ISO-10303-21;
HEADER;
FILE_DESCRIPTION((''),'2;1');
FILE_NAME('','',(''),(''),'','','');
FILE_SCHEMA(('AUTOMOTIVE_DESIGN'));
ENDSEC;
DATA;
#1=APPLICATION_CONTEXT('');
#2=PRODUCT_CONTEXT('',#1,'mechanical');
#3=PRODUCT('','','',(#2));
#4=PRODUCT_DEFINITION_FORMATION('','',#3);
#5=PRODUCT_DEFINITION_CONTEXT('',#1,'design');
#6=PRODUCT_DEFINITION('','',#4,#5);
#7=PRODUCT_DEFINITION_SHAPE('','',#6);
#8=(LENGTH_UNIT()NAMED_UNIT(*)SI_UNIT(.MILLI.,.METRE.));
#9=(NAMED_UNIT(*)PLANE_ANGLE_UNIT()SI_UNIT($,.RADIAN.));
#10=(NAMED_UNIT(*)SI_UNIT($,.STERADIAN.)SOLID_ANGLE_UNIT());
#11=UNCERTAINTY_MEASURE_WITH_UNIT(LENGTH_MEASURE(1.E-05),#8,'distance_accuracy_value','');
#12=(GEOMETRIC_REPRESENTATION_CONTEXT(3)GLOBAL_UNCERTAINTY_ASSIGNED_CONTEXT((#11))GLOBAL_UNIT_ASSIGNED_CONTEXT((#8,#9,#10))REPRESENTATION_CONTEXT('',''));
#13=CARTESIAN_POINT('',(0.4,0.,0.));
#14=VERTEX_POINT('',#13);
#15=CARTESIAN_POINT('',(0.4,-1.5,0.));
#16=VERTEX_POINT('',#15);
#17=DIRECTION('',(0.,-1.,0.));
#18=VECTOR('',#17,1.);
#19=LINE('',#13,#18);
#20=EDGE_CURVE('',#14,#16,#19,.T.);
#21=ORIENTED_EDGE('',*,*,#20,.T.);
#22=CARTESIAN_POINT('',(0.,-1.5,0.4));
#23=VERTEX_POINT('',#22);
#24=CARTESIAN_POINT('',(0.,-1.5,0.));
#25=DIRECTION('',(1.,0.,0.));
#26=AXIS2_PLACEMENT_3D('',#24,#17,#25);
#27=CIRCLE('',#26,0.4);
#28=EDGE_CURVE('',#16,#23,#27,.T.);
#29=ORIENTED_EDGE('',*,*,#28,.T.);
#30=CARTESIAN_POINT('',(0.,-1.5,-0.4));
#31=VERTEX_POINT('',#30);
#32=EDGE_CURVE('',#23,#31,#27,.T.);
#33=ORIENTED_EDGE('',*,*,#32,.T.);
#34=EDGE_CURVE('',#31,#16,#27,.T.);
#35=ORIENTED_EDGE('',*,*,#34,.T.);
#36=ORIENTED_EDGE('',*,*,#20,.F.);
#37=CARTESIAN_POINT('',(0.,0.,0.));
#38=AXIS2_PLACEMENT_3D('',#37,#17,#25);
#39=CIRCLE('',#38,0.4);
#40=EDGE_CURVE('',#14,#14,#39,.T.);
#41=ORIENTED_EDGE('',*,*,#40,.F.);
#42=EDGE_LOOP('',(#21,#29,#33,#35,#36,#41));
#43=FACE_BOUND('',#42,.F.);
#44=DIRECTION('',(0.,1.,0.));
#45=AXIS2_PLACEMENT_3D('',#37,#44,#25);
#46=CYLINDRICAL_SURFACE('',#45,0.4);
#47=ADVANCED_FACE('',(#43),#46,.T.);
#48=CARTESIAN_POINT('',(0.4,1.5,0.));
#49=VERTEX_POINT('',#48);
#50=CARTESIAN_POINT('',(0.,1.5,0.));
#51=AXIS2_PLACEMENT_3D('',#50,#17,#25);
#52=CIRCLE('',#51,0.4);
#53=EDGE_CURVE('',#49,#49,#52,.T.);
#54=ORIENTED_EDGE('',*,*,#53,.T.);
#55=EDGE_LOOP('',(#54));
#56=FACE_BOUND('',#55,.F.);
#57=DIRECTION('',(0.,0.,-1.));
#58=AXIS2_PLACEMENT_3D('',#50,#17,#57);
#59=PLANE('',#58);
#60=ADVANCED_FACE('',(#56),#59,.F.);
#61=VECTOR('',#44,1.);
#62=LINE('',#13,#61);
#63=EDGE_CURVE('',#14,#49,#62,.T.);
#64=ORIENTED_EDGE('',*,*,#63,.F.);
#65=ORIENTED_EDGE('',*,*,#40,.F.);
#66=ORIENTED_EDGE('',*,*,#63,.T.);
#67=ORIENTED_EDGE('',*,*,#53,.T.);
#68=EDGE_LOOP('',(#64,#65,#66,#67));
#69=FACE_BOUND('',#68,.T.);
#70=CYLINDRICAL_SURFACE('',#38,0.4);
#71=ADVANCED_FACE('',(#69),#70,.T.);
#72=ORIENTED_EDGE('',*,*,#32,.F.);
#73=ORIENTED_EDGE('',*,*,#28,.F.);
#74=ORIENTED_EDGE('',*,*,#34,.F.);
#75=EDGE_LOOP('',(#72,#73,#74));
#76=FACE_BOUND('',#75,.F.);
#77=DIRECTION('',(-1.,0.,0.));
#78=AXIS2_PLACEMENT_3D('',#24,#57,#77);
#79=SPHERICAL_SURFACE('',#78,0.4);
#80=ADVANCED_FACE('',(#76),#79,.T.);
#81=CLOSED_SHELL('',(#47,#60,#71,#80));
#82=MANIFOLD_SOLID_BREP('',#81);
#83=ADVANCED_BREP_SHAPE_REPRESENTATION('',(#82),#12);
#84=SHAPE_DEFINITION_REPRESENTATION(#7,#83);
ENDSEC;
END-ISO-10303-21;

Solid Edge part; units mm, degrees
sketch "Sketch1" plane through (0, 0, 0) normal (0, -1, 0) x (1, 0, 0)
  circle A0 centre (0, 0) radius 0.4
extrude "Protrusion1" add sketch "Sketch1" along normal mid plane 3
sketch "Sketch2" plane through (0, -1.5, 0) normal (0, -1, 0) x (1, 0, 0)
  arc A0 (0, 0.4) -> (0, -0.4) centre (0, 0) ccw
revolve "RevolvedProtrusion_1" add sketch "Sketch2" angle 180 about axis through (0, -1.5, 0.4) along (0, 0, 1)
properties material "Stainless Steel, 420"
